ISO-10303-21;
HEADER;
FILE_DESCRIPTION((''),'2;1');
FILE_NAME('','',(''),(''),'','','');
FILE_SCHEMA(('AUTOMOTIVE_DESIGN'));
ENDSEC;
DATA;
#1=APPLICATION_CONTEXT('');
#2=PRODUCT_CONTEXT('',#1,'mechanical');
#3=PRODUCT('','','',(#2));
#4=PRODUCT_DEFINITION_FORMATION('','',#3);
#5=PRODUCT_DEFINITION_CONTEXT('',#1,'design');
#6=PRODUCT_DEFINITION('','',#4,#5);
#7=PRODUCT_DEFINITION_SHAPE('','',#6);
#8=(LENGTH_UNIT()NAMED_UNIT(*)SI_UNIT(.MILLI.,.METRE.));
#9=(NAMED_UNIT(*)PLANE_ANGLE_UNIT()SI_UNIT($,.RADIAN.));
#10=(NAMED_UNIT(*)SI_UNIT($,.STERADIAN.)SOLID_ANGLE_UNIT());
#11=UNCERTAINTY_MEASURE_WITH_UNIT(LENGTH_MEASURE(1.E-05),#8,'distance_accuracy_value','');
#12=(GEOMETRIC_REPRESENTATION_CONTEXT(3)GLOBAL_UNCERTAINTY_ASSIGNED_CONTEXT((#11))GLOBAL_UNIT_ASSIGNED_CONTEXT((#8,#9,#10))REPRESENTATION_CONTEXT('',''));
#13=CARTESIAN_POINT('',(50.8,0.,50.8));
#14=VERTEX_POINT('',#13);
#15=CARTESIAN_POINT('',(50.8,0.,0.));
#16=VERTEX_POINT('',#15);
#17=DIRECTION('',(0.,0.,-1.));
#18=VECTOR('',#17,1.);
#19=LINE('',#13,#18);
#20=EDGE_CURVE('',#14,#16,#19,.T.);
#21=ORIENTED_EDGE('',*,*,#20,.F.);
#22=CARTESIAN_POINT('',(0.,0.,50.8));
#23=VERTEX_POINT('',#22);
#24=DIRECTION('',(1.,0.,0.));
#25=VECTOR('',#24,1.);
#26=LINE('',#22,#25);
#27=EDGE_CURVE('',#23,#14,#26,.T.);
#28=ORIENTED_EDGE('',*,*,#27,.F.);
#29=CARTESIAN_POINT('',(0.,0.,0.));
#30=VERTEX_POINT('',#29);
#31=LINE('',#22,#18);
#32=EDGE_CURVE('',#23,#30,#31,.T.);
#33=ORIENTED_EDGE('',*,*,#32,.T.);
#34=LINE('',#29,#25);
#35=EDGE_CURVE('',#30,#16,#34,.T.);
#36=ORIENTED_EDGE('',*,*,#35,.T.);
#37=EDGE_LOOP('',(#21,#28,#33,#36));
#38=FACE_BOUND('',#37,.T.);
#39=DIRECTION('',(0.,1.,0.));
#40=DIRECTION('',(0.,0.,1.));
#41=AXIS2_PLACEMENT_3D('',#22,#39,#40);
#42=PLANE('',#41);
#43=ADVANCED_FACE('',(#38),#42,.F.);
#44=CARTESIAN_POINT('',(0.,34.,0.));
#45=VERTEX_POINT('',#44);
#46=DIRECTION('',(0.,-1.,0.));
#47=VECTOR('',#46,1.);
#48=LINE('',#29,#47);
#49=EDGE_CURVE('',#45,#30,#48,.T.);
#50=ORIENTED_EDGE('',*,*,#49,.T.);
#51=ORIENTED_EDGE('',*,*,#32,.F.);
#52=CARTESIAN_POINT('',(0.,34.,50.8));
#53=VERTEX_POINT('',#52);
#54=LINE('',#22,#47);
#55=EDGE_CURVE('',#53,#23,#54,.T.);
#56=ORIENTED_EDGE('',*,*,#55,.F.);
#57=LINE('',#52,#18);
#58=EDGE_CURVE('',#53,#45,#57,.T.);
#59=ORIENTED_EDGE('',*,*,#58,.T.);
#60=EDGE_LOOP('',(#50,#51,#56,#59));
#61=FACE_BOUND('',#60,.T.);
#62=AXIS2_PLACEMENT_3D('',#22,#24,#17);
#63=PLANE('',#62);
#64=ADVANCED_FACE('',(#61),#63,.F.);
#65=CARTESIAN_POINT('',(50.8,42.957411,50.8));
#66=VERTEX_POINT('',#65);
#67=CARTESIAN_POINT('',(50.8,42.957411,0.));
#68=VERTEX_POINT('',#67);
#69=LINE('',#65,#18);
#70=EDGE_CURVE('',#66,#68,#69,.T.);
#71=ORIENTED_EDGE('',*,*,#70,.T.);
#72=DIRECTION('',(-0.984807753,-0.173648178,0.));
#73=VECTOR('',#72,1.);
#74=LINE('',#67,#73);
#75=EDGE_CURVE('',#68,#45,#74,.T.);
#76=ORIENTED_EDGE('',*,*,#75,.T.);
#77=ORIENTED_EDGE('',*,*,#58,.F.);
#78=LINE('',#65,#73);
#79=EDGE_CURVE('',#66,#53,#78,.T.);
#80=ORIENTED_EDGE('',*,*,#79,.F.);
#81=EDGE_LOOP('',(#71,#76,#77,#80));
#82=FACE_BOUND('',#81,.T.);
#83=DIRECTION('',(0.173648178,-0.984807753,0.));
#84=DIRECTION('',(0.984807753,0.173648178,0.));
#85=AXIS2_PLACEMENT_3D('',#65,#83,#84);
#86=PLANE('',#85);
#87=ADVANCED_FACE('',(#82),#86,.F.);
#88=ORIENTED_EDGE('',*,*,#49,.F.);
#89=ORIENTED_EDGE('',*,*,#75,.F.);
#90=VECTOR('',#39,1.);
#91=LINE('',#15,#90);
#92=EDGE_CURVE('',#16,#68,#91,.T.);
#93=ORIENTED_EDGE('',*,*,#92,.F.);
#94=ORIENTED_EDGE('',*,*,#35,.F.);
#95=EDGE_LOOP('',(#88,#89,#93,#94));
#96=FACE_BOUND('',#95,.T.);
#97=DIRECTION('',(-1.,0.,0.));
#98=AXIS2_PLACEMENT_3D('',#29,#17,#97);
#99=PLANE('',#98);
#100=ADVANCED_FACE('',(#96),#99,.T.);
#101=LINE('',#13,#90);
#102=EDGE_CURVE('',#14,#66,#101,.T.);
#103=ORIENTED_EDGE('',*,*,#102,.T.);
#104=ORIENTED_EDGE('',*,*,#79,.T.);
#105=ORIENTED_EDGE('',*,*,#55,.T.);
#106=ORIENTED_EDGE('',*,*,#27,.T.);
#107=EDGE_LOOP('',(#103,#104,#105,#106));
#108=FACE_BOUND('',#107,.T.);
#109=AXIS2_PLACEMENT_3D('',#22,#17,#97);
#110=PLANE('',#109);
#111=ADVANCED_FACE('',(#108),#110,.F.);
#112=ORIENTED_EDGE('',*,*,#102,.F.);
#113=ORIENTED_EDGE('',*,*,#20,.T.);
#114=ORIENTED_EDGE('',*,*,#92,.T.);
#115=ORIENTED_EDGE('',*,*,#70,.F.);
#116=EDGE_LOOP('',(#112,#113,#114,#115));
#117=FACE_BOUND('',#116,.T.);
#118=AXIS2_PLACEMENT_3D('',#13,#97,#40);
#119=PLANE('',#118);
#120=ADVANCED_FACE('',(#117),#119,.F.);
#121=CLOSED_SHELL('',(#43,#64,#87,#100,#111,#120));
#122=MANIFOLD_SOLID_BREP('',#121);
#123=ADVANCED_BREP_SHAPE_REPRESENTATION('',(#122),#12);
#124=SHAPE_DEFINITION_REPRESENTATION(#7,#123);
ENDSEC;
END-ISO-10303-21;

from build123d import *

# Parameters (mm, degrees)
BOSS_EXTRUDE1_DEPTH = 50.8


with BuildPart() as part:
    # Sketch1 → Boss-Extrude1 (new body)
    with BuildSketch(Plane.XY):
        Polygon((50.8, 42.95741062), (0, 34), (0, 0), (50.8, 0), align=None)
    extrude(amount=BOSS_EXTRUDE1_DEPTH)


solid = part.part
